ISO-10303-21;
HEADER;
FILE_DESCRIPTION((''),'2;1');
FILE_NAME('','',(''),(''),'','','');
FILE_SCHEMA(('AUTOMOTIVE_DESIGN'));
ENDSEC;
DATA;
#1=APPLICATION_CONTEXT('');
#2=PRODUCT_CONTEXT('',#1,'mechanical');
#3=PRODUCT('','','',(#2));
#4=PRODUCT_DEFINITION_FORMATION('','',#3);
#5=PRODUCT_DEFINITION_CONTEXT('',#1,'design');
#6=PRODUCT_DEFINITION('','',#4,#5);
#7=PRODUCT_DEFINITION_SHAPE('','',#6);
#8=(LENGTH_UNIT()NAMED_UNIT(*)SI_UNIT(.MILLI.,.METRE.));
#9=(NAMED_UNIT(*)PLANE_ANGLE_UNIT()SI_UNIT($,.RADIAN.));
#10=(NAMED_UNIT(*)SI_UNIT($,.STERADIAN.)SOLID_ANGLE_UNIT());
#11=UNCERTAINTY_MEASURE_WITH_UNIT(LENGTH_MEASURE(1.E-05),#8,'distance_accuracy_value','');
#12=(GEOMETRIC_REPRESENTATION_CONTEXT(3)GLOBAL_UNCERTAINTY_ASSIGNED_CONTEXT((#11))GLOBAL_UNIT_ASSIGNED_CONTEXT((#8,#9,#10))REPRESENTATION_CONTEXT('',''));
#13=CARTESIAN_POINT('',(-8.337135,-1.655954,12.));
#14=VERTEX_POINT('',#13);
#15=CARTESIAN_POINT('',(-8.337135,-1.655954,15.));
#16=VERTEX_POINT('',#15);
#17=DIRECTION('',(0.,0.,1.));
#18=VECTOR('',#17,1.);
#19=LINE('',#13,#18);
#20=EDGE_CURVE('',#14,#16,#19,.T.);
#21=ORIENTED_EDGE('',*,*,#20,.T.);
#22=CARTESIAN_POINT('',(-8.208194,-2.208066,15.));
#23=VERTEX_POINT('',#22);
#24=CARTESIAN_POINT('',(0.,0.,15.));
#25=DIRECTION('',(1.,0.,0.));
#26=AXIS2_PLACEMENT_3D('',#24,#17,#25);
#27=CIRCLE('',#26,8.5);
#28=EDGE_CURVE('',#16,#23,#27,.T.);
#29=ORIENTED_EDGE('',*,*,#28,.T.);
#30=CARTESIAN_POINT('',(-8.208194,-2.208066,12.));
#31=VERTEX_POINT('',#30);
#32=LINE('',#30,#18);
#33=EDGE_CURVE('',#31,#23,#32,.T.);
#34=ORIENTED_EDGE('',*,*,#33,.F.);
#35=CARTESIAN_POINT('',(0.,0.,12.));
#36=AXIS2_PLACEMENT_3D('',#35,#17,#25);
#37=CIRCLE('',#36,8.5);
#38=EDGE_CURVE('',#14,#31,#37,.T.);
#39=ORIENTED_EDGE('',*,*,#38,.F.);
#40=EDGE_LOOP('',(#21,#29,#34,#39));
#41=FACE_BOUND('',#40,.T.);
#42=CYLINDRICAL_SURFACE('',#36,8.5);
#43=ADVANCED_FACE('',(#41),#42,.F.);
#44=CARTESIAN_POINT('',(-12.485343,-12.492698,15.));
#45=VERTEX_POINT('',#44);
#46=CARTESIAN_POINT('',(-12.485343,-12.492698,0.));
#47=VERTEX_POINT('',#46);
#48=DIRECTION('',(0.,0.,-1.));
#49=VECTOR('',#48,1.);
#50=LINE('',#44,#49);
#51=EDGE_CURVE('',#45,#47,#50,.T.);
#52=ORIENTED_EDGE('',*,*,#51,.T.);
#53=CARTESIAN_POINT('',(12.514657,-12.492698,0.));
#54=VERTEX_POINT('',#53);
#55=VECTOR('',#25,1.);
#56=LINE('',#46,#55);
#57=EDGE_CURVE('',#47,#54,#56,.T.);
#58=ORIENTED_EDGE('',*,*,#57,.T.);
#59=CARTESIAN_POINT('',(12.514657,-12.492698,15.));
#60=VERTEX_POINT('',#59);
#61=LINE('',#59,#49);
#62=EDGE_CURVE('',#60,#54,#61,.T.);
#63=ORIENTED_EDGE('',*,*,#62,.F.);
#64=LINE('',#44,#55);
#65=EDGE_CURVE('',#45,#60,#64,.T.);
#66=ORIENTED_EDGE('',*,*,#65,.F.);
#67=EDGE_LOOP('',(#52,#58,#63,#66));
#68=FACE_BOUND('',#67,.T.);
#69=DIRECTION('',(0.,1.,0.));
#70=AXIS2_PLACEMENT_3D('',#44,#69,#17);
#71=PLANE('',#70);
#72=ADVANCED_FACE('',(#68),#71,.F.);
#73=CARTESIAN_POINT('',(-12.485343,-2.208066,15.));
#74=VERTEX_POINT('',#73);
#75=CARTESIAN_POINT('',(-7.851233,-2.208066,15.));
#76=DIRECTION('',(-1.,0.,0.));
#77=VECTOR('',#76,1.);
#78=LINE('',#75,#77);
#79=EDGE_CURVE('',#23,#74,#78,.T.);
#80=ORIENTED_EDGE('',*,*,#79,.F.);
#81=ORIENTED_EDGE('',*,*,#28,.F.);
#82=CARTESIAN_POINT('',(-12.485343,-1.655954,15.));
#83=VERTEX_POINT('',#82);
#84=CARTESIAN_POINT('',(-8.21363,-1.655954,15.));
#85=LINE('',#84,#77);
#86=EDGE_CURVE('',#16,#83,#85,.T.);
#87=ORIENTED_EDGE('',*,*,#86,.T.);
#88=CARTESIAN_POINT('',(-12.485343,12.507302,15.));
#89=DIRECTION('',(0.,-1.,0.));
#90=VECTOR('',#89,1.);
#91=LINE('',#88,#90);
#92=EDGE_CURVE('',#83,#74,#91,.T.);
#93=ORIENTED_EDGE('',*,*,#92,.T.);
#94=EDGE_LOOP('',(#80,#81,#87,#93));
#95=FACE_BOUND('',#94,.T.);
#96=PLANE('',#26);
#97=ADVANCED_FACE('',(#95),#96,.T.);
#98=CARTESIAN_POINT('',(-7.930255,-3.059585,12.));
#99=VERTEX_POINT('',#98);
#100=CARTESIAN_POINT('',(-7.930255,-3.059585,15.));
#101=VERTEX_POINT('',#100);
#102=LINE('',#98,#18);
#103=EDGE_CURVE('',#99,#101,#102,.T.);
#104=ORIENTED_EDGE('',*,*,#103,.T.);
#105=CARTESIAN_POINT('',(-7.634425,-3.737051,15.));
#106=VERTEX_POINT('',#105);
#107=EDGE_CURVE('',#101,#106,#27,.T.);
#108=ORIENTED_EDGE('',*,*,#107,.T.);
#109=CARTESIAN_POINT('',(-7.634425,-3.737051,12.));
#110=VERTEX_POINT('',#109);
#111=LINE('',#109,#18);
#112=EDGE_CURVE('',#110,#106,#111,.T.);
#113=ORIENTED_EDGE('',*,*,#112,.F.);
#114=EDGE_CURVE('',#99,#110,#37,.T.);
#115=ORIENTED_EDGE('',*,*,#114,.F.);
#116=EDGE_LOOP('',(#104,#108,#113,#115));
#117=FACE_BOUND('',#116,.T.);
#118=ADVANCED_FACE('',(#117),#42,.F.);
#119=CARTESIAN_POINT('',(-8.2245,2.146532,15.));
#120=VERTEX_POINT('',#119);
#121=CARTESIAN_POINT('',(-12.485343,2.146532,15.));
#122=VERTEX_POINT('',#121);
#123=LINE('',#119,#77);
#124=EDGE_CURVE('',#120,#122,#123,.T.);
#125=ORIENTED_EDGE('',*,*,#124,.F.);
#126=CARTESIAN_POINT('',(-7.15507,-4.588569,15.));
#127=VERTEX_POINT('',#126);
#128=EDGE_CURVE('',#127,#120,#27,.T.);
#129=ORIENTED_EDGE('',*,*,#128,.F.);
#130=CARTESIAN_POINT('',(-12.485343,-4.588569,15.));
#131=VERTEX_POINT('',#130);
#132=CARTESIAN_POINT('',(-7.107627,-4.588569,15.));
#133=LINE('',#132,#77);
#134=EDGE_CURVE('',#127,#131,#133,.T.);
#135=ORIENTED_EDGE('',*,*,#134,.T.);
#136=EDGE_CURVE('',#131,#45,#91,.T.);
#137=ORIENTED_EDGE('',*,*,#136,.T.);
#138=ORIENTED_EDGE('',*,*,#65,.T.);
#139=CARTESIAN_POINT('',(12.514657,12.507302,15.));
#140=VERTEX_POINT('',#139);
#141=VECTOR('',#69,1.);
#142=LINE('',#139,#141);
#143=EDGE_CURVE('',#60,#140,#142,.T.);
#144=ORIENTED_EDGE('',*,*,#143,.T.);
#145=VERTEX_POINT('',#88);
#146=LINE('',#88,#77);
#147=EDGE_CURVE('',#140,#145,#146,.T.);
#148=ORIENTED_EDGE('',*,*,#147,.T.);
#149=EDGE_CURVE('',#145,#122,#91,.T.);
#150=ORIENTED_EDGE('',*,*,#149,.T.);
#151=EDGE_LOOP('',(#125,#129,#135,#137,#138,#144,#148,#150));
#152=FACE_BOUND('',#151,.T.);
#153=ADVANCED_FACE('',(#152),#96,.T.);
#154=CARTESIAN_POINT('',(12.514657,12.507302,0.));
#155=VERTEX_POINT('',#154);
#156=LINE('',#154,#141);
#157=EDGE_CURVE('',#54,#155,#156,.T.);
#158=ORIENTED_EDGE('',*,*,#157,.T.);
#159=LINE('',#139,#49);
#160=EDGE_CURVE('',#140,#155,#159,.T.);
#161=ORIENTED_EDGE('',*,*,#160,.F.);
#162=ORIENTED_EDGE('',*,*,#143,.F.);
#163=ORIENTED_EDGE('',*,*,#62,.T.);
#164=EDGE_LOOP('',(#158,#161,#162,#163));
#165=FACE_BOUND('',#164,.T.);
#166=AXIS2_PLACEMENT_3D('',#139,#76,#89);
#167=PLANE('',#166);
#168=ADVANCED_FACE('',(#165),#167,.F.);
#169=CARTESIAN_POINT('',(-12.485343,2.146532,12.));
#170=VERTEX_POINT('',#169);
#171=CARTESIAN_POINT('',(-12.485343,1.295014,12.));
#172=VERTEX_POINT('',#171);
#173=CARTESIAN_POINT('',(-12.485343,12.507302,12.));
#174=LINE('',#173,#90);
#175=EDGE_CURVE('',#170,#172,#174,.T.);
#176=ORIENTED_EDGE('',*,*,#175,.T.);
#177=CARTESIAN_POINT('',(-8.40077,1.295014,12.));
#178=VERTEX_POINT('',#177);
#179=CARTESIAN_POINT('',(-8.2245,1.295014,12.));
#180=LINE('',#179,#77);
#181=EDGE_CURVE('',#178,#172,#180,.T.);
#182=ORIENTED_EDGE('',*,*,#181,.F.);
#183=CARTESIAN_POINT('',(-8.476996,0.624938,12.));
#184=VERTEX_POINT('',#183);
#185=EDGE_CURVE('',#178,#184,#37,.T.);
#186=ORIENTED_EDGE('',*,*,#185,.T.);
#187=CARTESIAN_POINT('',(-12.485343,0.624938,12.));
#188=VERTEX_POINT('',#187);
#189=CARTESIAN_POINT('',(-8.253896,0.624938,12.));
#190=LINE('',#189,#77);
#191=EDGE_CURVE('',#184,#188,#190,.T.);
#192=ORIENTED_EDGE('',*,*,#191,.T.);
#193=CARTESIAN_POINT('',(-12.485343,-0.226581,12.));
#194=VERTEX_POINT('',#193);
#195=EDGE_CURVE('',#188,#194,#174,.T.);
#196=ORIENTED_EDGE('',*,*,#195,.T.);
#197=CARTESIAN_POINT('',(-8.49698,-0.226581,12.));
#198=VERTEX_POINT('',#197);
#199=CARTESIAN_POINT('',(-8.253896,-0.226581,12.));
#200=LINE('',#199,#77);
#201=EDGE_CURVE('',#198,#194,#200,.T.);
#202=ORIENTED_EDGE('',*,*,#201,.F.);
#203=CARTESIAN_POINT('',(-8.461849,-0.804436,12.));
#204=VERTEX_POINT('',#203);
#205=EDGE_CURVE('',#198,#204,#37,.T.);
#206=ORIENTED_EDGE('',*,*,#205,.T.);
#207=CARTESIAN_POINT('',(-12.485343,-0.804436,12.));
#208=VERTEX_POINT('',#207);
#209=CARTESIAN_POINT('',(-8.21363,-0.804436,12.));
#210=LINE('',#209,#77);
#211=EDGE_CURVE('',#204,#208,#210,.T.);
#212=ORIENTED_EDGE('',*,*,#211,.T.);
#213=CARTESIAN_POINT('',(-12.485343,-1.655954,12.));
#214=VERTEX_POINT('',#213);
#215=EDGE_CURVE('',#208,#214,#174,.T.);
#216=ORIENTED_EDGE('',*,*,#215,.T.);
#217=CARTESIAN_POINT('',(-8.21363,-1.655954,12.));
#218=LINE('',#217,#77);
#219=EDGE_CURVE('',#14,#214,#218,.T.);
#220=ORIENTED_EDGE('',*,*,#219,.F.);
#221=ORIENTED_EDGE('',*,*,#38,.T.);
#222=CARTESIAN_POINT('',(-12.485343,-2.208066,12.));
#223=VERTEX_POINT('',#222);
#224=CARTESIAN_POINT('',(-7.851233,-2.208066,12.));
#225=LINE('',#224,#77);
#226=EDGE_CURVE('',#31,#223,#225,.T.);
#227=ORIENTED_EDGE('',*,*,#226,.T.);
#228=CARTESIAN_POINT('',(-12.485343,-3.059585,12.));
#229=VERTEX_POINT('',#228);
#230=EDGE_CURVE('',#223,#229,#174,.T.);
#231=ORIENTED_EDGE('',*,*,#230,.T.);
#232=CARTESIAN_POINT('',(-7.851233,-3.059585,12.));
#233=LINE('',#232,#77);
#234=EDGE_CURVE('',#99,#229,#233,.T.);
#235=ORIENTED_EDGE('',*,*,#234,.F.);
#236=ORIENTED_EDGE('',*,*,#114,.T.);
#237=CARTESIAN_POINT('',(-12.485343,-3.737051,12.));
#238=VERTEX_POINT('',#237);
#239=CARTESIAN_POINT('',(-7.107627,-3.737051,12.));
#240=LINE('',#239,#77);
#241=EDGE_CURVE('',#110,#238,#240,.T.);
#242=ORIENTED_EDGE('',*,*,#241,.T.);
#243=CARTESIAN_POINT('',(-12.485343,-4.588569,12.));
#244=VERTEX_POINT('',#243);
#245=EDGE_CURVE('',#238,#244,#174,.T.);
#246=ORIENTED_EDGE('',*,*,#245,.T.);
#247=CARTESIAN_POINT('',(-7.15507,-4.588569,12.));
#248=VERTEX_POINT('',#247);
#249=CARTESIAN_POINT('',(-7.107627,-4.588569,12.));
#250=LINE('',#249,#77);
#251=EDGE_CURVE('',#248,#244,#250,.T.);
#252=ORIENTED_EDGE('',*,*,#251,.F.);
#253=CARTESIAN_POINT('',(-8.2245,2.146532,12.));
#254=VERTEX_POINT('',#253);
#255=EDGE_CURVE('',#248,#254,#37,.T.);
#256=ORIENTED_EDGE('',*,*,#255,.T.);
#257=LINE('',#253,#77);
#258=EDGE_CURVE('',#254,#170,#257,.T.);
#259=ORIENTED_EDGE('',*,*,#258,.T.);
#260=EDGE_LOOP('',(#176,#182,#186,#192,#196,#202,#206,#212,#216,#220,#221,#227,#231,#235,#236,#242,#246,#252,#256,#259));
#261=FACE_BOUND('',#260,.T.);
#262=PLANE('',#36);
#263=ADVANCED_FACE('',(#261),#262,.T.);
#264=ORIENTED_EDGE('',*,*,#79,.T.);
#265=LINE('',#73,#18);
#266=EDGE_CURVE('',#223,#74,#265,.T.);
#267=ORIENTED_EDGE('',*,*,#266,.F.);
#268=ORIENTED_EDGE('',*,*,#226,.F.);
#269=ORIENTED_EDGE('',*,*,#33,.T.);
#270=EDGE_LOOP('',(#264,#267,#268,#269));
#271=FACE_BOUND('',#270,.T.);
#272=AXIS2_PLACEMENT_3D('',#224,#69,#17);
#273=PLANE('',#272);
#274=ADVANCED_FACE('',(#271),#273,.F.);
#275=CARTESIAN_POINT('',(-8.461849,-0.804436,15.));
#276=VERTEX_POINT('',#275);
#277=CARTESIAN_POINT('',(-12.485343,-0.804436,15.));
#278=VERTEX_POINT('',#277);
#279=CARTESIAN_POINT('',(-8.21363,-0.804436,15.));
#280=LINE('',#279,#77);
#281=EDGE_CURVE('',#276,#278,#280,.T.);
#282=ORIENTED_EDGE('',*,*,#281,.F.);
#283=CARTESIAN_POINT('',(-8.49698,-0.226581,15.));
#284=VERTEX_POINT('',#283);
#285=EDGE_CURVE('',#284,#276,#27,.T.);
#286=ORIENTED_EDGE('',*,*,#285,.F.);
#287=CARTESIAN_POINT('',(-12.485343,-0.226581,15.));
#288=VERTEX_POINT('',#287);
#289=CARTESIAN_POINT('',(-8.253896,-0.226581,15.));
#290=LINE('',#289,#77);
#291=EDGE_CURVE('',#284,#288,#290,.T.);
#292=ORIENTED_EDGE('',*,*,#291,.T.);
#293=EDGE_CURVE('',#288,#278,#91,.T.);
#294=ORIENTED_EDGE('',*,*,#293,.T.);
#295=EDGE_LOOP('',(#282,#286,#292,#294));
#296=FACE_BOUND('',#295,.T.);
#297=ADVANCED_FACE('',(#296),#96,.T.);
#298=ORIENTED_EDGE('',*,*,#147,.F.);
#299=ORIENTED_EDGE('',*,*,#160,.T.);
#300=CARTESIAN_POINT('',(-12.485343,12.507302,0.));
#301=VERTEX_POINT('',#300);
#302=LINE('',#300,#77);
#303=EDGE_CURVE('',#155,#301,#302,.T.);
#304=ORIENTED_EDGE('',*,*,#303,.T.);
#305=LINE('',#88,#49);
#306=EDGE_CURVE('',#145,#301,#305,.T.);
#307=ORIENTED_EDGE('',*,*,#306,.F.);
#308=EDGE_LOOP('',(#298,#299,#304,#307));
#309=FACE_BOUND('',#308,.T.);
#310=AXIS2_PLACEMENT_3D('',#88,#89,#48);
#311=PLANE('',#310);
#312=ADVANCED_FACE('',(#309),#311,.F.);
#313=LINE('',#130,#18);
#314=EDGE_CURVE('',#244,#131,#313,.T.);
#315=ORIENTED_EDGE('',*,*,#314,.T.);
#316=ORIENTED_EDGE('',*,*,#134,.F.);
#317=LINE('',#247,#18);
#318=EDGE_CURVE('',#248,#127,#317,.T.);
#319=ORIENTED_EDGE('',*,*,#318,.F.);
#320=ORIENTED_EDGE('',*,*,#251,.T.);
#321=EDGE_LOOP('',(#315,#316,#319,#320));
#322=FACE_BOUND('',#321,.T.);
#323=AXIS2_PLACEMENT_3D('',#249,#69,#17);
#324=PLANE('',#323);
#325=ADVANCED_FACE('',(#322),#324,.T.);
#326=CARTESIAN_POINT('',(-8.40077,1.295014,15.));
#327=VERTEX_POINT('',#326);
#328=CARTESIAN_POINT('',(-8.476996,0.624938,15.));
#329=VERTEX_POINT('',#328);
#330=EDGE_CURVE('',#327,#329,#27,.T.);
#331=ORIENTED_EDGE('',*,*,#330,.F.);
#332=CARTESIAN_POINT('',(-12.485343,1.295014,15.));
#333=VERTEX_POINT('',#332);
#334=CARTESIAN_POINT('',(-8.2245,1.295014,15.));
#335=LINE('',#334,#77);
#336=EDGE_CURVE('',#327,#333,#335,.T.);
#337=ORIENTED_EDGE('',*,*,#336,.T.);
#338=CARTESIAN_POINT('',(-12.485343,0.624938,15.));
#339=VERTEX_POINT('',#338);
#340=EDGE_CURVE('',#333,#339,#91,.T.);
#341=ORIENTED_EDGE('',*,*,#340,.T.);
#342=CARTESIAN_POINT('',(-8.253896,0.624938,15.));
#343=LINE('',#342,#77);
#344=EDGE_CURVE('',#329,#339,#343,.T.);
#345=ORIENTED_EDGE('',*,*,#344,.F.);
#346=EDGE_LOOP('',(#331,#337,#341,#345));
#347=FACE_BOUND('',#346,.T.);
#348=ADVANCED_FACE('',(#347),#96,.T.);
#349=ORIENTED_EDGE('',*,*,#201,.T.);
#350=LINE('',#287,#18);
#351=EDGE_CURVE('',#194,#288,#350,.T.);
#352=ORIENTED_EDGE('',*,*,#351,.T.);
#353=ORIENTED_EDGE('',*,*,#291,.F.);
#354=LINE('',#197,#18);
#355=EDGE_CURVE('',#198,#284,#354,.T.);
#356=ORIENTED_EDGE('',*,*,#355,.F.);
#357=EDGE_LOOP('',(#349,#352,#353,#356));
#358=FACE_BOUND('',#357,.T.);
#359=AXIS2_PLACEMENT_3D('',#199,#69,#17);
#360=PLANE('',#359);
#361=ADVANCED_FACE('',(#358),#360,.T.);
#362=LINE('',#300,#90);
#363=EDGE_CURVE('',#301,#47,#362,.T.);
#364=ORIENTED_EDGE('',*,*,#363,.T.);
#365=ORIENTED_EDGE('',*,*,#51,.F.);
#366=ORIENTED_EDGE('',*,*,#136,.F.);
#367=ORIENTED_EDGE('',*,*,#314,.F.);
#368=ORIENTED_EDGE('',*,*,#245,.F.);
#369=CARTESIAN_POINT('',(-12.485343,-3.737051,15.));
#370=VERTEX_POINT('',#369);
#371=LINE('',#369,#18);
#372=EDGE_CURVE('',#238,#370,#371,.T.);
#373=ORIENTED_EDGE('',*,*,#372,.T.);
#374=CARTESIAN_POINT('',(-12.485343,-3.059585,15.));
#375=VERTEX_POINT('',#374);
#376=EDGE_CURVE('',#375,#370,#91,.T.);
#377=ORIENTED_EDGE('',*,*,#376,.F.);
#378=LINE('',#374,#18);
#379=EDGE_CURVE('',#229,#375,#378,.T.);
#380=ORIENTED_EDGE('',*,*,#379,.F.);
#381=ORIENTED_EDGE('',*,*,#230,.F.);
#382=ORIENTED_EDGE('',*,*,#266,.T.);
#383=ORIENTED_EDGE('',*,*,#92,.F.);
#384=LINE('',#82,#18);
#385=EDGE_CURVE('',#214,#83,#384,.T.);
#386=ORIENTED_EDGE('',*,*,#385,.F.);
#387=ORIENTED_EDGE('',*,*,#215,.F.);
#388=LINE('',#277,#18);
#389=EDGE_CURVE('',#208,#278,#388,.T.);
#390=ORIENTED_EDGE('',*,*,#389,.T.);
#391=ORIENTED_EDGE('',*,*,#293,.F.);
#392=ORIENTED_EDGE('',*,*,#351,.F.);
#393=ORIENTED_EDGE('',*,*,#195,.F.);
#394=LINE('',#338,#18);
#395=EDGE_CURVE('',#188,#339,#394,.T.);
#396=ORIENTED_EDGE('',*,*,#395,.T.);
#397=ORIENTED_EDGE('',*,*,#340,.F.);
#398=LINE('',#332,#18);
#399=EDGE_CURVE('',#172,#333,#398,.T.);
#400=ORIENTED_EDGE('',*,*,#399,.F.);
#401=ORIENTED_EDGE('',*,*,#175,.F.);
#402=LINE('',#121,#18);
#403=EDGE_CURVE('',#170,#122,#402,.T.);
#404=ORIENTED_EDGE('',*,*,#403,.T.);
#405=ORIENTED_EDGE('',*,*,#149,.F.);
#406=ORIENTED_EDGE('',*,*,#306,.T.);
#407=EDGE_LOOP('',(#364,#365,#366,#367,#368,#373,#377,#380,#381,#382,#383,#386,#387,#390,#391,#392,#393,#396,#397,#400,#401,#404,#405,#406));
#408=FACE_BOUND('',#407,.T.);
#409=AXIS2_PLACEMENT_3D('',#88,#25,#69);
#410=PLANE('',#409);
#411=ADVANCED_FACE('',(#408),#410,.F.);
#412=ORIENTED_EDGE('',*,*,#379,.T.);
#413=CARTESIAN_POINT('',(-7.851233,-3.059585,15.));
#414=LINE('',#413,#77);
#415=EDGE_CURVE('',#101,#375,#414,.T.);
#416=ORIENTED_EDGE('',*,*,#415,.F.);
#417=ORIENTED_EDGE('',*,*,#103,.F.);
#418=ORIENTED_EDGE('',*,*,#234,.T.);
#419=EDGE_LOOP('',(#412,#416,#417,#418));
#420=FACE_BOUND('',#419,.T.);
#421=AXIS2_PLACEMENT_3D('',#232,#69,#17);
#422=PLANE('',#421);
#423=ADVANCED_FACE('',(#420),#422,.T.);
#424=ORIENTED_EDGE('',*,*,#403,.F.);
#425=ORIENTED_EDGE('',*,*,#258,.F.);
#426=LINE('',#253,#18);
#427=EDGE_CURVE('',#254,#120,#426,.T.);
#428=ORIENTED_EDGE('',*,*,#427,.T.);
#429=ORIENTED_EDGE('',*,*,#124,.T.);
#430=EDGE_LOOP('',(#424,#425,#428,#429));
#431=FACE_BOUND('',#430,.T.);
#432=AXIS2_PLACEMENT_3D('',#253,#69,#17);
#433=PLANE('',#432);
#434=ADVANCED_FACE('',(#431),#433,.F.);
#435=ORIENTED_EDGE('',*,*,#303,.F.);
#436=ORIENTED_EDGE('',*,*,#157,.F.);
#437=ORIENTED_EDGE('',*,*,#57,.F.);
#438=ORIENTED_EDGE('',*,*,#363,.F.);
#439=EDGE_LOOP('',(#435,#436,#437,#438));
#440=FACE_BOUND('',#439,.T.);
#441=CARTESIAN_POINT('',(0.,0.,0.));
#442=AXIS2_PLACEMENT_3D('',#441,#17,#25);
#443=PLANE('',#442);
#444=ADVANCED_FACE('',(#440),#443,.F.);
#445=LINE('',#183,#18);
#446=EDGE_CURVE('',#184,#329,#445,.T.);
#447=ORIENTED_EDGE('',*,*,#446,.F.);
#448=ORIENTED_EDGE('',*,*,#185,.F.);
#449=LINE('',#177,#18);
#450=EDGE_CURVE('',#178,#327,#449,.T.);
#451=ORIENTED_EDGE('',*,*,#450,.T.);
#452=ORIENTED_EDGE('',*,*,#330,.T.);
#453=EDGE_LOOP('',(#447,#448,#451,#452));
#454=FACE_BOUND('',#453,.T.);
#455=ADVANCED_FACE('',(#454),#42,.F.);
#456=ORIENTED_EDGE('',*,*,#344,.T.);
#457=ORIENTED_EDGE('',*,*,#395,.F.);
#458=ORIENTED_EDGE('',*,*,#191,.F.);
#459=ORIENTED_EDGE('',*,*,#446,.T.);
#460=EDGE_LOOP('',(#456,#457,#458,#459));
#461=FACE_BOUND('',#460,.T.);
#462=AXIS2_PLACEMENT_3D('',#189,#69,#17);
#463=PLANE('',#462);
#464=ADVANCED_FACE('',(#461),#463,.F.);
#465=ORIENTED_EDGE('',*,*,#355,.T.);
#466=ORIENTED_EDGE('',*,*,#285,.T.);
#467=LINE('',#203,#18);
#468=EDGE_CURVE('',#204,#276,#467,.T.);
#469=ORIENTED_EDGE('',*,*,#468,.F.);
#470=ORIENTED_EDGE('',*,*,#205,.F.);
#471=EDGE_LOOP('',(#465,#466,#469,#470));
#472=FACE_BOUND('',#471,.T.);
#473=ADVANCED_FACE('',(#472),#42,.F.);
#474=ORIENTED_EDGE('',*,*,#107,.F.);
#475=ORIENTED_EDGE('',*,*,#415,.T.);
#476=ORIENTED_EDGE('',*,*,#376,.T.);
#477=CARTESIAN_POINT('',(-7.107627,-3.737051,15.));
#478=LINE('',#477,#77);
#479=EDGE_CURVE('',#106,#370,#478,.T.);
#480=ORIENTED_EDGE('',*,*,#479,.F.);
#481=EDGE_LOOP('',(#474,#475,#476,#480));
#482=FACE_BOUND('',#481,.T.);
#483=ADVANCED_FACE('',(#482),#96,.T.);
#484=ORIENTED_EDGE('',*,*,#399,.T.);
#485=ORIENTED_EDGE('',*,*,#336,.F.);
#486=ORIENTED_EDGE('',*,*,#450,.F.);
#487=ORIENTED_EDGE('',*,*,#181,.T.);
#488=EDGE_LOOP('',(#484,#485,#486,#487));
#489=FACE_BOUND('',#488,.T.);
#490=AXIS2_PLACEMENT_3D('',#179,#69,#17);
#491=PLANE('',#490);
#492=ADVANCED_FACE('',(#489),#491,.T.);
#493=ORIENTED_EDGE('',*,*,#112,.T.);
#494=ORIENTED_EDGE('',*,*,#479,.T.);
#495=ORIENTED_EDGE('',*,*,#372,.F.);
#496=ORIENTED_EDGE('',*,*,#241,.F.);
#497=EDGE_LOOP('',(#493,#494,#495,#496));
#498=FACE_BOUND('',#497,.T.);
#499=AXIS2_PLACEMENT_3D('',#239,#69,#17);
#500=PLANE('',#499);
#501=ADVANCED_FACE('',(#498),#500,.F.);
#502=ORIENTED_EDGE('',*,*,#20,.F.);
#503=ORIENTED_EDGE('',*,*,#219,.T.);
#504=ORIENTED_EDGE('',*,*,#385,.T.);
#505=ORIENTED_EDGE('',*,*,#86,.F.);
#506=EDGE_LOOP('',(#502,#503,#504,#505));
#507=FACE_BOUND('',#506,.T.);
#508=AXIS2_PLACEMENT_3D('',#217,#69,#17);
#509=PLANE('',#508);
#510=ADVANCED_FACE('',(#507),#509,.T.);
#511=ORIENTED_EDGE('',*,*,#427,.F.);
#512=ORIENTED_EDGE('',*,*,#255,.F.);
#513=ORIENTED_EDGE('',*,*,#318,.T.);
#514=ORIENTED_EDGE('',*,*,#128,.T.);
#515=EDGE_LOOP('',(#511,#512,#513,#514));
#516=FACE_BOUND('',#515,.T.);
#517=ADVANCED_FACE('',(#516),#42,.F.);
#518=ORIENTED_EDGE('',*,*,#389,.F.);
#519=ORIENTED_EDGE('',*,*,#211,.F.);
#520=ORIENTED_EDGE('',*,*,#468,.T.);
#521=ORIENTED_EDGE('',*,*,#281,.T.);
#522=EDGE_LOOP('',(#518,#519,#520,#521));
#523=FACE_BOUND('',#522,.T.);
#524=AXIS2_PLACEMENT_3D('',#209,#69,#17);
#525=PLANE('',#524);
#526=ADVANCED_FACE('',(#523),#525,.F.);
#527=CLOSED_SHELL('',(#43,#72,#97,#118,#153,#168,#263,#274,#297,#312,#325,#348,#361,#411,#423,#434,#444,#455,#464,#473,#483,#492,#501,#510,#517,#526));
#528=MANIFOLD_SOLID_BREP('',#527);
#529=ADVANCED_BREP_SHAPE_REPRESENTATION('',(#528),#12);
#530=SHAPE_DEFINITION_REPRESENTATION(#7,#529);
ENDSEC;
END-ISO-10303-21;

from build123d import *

# Parameters (mm, degrees)
SKETCH5_W           = 25
SKETCH5_H           = 25
BOSS_EXTRUDE3_DEPTH = 15
SKETCH6_R           = 8.5
SKETCH6_W           = 4.441456536
SKETCH6_H           = 0.851518301
SKETCH6_W_2         = 4.412060549
SKETCH6_H_2         = 0.8515183
SKETCH6_W_3         = 4.475416112
SKETCH6_W_4         = 4.837812326
SKETCH6_W_5         = 5.604508377
CUT_EXTRUDE3_DEPTH  = 3


with BuildPart() as part:
    # Sketch5 → Boss-Extrude3 (new body)
    with BuildSketch(Plane.XY):
        with Locations((0.01465692, 0.007301744)):
            Rectangle(SKETCH5_W, SKETCH5_H)
    extrude(amount=BOSS_EXTRUDE3_DEPTH)

    # Sketch6 → Cut-Extrude3 (cut)
    with BuildSketch(Plane.XY.offset(15)):
        Circle(SKETCH6_R)
        with Locations((-10.445228229, 1.72077303)):
            Rectangle(SKETCH6_W, SKETCH6_H)
        with Locations((-10.459926223, 0.199178628)):
            Rectangle(SKETCH6_W_2, SKETCH6_H_2)
        with Locations((-10.451337758, -1.230194922)):
            Rectangle(SKETCH6_W_3, SKETCH6_H_2)
        with Locations((-10.270139651, -2.633825362)):
            Rectangle(SKETCH6_W_4, SKETCH6_H)
        with Locations((-9.909880943, -4.16280996)):
            Rectangle(SKETCH6_W_5, SKETCH6_H)
    extrude(amount=-CUT_EXTRUDE3_DEPTH, mode=Mode.SUBTRACT)


solid = part.part
